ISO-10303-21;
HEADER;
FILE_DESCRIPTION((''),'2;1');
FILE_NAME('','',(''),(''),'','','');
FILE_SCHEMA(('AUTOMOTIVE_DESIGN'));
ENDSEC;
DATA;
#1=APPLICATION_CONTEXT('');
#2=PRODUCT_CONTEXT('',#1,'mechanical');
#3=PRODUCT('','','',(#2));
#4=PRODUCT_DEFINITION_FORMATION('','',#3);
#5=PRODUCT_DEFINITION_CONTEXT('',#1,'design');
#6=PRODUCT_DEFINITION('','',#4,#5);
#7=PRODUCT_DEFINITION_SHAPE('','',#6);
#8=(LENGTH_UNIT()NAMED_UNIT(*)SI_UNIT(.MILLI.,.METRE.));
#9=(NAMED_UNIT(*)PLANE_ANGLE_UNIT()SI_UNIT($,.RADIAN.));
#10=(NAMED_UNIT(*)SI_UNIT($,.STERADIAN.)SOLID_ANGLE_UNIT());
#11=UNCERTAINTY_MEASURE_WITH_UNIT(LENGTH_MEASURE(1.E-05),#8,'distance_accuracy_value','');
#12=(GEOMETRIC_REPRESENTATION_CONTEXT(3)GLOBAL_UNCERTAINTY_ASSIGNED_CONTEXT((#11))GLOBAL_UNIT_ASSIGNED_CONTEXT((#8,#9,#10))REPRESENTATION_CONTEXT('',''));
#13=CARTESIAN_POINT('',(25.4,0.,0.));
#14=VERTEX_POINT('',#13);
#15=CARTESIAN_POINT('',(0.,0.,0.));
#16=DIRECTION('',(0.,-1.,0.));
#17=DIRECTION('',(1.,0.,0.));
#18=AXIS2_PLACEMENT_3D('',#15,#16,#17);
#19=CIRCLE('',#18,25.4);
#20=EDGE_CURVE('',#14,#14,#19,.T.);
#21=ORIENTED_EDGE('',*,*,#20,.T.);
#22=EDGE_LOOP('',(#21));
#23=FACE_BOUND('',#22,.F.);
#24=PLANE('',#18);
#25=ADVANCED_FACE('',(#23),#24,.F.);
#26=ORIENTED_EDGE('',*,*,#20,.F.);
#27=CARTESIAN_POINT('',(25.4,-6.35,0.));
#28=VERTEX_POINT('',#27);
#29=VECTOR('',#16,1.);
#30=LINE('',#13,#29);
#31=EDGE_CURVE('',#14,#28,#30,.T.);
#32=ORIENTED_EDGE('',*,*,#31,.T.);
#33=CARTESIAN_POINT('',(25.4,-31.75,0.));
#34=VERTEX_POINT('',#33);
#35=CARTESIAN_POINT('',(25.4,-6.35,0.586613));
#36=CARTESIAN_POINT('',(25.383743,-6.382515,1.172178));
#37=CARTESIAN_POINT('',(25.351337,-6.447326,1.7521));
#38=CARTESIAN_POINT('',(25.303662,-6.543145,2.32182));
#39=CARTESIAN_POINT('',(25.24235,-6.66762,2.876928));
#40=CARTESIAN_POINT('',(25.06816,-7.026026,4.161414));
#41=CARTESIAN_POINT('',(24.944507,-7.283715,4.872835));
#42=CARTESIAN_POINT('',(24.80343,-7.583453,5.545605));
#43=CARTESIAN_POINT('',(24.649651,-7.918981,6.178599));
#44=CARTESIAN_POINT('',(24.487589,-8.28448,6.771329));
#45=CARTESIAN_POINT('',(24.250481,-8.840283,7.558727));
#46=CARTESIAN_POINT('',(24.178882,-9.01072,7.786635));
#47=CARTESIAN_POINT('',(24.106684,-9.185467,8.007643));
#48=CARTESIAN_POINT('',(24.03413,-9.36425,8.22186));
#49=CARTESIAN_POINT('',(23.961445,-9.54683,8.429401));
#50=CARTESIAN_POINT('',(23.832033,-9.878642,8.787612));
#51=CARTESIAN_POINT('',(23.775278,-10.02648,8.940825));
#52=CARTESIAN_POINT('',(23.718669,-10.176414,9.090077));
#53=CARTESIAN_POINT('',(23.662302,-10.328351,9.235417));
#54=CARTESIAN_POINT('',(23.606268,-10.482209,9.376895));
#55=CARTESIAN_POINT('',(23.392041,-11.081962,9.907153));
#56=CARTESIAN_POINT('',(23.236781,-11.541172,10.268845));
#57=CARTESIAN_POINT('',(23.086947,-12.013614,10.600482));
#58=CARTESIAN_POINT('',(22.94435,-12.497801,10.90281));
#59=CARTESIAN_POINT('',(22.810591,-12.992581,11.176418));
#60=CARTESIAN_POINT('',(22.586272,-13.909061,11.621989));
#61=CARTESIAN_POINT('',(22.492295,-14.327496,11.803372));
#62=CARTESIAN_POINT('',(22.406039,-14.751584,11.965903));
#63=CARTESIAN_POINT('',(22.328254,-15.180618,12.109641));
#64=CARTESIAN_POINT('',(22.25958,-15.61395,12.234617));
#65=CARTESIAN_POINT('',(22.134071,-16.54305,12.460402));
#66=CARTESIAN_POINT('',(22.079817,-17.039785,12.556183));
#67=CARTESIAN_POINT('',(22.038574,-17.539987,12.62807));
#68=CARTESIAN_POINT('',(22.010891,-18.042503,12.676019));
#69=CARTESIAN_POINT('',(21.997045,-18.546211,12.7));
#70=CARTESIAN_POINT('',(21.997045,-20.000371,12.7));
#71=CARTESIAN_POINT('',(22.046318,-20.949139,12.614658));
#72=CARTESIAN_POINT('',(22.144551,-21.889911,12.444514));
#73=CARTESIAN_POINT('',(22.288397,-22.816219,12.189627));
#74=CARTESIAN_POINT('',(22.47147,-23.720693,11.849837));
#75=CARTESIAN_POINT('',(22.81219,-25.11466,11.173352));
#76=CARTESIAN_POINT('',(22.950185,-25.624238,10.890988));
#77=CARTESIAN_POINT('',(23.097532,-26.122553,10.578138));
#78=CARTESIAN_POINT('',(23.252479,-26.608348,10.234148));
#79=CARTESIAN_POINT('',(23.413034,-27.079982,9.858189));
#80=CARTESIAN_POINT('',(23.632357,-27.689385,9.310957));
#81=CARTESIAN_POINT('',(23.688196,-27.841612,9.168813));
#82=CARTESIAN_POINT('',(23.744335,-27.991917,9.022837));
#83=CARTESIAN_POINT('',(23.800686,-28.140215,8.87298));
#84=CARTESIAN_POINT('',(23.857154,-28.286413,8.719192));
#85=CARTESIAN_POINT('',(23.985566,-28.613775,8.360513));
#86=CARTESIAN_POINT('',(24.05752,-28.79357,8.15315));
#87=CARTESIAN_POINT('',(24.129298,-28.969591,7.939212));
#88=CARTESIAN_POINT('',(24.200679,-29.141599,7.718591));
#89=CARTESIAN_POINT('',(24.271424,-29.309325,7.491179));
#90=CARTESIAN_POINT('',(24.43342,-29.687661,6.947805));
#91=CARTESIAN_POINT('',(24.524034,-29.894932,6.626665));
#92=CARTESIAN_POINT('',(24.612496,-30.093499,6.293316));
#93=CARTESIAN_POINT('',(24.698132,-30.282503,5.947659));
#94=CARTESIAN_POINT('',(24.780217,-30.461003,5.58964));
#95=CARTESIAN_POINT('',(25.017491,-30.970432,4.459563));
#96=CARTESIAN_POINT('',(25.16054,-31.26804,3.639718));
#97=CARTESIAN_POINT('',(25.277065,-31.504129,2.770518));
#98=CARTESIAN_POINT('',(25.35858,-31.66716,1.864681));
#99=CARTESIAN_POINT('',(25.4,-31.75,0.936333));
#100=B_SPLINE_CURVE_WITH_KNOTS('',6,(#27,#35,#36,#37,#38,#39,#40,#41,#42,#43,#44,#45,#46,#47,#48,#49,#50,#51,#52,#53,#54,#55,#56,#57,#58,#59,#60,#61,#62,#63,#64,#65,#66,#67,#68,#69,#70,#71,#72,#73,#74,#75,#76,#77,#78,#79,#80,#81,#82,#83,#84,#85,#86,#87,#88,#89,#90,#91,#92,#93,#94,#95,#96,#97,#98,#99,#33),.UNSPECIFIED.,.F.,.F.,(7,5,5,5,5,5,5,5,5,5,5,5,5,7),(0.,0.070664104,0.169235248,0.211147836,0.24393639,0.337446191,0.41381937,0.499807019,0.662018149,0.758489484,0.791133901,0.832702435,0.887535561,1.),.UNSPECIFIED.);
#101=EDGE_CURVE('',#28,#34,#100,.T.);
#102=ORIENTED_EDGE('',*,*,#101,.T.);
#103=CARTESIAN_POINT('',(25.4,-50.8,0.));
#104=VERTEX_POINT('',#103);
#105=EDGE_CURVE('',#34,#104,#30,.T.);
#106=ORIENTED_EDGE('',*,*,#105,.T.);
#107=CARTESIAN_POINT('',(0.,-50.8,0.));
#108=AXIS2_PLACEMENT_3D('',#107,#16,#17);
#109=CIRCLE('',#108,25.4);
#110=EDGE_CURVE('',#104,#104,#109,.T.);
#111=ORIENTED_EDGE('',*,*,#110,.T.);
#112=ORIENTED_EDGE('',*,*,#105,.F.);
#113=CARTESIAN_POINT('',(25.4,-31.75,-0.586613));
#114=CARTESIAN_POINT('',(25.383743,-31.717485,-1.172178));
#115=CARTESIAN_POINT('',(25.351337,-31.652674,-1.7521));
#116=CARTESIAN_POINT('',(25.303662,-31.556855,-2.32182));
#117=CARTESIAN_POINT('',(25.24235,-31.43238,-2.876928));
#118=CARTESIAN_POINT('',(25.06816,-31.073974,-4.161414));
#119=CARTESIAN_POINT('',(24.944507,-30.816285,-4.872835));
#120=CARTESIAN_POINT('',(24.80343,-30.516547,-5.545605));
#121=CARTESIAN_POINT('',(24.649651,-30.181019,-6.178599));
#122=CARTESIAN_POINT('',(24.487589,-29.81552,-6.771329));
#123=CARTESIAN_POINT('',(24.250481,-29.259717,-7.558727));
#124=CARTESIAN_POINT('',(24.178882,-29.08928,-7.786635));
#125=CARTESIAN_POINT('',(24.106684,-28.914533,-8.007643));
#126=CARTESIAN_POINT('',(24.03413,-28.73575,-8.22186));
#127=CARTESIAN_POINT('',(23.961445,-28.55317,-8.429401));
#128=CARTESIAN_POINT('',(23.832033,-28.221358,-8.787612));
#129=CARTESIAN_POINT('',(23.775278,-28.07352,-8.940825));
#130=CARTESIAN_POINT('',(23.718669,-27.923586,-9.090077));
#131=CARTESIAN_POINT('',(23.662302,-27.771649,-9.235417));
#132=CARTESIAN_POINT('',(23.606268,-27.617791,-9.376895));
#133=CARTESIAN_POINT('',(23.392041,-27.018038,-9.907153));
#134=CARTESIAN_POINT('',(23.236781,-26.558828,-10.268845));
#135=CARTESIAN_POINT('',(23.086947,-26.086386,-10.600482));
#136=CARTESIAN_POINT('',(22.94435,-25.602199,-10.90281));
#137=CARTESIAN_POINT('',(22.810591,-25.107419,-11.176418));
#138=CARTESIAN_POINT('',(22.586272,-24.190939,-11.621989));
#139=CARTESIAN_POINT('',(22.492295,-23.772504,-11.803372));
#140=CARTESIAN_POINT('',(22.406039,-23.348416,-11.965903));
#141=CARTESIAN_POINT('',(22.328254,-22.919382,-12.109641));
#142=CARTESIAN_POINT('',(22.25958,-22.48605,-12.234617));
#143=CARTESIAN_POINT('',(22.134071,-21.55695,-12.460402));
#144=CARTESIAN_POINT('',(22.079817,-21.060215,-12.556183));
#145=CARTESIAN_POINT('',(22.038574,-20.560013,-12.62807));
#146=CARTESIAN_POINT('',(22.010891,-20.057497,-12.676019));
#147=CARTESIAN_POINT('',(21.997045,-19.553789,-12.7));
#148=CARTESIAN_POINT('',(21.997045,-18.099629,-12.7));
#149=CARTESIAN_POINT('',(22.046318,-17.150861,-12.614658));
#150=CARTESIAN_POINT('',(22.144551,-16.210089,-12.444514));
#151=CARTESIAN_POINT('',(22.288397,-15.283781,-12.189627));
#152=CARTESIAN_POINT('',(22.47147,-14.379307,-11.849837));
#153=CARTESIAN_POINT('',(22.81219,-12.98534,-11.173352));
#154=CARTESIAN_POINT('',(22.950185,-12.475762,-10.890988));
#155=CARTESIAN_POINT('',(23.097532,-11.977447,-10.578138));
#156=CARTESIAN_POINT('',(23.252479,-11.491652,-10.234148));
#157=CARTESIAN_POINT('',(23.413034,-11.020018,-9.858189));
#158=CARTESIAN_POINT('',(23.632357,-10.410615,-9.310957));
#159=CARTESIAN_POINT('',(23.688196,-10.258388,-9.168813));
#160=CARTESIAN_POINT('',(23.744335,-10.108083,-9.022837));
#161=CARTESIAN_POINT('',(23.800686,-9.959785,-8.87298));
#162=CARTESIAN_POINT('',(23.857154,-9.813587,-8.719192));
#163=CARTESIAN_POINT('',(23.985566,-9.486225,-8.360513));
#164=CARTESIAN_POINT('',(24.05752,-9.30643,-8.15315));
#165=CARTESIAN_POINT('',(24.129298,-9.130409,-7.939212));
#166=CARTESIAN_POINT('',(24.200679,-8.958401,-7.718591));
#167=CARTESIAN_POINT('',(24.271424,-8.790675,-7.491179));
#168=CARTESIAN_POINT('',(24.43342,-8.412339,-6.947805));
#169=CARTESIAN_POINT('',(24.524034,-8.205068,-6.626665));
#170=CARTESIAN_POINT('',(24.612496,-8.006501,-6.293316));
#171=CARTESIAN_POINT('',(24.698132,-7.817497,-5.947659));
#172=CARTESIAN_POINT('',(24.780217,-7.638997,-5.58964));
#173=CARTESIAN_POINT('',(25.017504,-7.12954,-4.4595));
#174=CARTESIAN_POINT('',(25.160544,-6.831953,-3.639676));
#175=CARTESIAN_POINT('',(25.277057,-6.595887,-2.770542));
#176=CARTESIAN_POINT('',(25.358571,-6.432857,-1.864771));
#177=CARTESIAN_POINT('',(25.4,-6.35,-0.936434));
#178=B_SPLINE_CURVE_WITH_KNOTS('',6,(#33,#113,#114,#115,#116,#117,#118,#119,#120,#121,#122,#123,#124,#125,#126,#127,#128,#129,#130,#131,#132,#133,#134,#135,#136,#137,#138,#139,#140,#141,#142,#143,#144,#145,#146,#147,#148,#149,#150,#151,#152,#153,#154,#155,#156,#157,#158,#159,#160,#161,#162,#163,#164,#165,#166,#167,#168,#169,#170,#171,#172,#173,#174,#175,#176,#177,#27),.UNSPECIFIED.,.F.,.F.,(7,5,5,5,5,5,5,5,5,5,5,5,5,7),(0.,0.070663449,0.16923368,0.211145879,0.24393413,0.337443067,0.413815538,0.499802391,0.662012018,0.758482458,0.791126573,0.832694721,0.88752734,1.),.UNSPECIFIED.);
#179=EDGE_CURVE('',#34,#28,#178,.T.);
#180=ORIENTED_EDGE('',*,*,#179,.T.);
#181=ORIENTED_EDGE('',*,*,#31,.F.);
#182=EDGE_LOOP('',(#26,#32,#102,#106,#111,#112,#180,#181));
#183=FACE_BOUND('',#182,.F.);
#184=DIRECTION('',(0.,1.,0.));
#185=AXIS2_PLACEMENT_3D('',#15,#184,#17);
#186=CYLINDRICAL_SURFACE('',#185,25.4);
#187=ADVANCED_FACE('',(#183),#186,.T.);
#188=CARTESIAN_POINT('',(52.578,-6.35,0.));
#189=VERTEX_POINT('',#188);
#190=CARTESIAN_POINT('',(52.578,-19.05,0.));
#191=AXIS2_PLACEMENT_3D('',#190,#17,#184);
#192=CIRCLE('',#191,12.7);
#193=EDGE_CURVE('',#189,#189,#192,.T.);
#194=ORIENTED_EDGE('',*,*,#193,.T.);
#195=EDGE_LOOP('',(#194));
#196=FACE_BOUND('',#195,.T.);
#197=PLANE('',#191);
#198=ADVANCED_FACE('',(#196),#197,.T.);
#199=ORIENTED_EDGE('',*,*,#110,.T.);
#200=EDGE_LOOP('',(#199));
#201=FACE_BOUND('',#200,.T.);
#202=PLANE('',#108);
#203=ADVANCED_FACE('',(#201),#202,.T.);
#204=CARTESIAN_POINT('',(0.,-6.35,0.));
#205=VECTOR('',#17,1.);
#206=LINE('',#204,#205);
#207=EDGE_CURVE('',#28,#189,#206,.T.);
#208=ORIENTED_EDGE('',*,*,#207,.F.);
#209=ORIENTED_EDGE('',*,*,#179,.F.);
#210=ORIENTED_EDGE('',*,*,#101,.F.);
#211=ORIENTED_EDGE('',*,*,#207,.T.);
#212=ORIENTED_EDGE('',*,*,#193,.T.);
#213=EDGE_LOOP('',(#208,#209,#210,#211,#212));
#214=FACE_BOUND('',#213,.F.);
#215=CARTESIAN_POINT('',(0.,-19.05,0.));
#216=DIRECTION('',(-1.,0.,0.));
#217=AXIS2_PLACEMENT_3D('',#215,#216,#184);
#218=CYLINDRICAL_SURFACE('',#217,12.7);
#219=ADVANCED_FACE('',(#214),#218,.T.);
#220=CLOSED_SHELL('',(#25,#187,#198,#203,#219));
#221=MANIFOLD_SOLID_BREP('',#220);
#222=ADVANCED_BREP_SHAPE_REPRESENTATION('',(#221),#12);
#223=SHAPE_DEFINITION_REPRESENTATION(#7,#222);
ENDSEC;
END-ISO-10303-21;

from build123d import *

# Parameters (mm, degrees)
F0_R     = 25.4
F1_DEPTH = 50.8
F2_R     = 12.7
F3_DEPTH = 52.578


with BuildPart() as f1:
    # F0 (on Front) → F1 (new body)
    with BuildSketch(Plane.XZ):
        Circle(F0_R)
    extrude(amount=F1_DEPTH)

    # F2 (on Right) → F3 (join)
    with BuildSketch(Plane.YZ):
        with Locations((-19.05, 0)):
            Circle(F2_R)
    extrude(amount=F3_DEPTH)


solid = f1.part
